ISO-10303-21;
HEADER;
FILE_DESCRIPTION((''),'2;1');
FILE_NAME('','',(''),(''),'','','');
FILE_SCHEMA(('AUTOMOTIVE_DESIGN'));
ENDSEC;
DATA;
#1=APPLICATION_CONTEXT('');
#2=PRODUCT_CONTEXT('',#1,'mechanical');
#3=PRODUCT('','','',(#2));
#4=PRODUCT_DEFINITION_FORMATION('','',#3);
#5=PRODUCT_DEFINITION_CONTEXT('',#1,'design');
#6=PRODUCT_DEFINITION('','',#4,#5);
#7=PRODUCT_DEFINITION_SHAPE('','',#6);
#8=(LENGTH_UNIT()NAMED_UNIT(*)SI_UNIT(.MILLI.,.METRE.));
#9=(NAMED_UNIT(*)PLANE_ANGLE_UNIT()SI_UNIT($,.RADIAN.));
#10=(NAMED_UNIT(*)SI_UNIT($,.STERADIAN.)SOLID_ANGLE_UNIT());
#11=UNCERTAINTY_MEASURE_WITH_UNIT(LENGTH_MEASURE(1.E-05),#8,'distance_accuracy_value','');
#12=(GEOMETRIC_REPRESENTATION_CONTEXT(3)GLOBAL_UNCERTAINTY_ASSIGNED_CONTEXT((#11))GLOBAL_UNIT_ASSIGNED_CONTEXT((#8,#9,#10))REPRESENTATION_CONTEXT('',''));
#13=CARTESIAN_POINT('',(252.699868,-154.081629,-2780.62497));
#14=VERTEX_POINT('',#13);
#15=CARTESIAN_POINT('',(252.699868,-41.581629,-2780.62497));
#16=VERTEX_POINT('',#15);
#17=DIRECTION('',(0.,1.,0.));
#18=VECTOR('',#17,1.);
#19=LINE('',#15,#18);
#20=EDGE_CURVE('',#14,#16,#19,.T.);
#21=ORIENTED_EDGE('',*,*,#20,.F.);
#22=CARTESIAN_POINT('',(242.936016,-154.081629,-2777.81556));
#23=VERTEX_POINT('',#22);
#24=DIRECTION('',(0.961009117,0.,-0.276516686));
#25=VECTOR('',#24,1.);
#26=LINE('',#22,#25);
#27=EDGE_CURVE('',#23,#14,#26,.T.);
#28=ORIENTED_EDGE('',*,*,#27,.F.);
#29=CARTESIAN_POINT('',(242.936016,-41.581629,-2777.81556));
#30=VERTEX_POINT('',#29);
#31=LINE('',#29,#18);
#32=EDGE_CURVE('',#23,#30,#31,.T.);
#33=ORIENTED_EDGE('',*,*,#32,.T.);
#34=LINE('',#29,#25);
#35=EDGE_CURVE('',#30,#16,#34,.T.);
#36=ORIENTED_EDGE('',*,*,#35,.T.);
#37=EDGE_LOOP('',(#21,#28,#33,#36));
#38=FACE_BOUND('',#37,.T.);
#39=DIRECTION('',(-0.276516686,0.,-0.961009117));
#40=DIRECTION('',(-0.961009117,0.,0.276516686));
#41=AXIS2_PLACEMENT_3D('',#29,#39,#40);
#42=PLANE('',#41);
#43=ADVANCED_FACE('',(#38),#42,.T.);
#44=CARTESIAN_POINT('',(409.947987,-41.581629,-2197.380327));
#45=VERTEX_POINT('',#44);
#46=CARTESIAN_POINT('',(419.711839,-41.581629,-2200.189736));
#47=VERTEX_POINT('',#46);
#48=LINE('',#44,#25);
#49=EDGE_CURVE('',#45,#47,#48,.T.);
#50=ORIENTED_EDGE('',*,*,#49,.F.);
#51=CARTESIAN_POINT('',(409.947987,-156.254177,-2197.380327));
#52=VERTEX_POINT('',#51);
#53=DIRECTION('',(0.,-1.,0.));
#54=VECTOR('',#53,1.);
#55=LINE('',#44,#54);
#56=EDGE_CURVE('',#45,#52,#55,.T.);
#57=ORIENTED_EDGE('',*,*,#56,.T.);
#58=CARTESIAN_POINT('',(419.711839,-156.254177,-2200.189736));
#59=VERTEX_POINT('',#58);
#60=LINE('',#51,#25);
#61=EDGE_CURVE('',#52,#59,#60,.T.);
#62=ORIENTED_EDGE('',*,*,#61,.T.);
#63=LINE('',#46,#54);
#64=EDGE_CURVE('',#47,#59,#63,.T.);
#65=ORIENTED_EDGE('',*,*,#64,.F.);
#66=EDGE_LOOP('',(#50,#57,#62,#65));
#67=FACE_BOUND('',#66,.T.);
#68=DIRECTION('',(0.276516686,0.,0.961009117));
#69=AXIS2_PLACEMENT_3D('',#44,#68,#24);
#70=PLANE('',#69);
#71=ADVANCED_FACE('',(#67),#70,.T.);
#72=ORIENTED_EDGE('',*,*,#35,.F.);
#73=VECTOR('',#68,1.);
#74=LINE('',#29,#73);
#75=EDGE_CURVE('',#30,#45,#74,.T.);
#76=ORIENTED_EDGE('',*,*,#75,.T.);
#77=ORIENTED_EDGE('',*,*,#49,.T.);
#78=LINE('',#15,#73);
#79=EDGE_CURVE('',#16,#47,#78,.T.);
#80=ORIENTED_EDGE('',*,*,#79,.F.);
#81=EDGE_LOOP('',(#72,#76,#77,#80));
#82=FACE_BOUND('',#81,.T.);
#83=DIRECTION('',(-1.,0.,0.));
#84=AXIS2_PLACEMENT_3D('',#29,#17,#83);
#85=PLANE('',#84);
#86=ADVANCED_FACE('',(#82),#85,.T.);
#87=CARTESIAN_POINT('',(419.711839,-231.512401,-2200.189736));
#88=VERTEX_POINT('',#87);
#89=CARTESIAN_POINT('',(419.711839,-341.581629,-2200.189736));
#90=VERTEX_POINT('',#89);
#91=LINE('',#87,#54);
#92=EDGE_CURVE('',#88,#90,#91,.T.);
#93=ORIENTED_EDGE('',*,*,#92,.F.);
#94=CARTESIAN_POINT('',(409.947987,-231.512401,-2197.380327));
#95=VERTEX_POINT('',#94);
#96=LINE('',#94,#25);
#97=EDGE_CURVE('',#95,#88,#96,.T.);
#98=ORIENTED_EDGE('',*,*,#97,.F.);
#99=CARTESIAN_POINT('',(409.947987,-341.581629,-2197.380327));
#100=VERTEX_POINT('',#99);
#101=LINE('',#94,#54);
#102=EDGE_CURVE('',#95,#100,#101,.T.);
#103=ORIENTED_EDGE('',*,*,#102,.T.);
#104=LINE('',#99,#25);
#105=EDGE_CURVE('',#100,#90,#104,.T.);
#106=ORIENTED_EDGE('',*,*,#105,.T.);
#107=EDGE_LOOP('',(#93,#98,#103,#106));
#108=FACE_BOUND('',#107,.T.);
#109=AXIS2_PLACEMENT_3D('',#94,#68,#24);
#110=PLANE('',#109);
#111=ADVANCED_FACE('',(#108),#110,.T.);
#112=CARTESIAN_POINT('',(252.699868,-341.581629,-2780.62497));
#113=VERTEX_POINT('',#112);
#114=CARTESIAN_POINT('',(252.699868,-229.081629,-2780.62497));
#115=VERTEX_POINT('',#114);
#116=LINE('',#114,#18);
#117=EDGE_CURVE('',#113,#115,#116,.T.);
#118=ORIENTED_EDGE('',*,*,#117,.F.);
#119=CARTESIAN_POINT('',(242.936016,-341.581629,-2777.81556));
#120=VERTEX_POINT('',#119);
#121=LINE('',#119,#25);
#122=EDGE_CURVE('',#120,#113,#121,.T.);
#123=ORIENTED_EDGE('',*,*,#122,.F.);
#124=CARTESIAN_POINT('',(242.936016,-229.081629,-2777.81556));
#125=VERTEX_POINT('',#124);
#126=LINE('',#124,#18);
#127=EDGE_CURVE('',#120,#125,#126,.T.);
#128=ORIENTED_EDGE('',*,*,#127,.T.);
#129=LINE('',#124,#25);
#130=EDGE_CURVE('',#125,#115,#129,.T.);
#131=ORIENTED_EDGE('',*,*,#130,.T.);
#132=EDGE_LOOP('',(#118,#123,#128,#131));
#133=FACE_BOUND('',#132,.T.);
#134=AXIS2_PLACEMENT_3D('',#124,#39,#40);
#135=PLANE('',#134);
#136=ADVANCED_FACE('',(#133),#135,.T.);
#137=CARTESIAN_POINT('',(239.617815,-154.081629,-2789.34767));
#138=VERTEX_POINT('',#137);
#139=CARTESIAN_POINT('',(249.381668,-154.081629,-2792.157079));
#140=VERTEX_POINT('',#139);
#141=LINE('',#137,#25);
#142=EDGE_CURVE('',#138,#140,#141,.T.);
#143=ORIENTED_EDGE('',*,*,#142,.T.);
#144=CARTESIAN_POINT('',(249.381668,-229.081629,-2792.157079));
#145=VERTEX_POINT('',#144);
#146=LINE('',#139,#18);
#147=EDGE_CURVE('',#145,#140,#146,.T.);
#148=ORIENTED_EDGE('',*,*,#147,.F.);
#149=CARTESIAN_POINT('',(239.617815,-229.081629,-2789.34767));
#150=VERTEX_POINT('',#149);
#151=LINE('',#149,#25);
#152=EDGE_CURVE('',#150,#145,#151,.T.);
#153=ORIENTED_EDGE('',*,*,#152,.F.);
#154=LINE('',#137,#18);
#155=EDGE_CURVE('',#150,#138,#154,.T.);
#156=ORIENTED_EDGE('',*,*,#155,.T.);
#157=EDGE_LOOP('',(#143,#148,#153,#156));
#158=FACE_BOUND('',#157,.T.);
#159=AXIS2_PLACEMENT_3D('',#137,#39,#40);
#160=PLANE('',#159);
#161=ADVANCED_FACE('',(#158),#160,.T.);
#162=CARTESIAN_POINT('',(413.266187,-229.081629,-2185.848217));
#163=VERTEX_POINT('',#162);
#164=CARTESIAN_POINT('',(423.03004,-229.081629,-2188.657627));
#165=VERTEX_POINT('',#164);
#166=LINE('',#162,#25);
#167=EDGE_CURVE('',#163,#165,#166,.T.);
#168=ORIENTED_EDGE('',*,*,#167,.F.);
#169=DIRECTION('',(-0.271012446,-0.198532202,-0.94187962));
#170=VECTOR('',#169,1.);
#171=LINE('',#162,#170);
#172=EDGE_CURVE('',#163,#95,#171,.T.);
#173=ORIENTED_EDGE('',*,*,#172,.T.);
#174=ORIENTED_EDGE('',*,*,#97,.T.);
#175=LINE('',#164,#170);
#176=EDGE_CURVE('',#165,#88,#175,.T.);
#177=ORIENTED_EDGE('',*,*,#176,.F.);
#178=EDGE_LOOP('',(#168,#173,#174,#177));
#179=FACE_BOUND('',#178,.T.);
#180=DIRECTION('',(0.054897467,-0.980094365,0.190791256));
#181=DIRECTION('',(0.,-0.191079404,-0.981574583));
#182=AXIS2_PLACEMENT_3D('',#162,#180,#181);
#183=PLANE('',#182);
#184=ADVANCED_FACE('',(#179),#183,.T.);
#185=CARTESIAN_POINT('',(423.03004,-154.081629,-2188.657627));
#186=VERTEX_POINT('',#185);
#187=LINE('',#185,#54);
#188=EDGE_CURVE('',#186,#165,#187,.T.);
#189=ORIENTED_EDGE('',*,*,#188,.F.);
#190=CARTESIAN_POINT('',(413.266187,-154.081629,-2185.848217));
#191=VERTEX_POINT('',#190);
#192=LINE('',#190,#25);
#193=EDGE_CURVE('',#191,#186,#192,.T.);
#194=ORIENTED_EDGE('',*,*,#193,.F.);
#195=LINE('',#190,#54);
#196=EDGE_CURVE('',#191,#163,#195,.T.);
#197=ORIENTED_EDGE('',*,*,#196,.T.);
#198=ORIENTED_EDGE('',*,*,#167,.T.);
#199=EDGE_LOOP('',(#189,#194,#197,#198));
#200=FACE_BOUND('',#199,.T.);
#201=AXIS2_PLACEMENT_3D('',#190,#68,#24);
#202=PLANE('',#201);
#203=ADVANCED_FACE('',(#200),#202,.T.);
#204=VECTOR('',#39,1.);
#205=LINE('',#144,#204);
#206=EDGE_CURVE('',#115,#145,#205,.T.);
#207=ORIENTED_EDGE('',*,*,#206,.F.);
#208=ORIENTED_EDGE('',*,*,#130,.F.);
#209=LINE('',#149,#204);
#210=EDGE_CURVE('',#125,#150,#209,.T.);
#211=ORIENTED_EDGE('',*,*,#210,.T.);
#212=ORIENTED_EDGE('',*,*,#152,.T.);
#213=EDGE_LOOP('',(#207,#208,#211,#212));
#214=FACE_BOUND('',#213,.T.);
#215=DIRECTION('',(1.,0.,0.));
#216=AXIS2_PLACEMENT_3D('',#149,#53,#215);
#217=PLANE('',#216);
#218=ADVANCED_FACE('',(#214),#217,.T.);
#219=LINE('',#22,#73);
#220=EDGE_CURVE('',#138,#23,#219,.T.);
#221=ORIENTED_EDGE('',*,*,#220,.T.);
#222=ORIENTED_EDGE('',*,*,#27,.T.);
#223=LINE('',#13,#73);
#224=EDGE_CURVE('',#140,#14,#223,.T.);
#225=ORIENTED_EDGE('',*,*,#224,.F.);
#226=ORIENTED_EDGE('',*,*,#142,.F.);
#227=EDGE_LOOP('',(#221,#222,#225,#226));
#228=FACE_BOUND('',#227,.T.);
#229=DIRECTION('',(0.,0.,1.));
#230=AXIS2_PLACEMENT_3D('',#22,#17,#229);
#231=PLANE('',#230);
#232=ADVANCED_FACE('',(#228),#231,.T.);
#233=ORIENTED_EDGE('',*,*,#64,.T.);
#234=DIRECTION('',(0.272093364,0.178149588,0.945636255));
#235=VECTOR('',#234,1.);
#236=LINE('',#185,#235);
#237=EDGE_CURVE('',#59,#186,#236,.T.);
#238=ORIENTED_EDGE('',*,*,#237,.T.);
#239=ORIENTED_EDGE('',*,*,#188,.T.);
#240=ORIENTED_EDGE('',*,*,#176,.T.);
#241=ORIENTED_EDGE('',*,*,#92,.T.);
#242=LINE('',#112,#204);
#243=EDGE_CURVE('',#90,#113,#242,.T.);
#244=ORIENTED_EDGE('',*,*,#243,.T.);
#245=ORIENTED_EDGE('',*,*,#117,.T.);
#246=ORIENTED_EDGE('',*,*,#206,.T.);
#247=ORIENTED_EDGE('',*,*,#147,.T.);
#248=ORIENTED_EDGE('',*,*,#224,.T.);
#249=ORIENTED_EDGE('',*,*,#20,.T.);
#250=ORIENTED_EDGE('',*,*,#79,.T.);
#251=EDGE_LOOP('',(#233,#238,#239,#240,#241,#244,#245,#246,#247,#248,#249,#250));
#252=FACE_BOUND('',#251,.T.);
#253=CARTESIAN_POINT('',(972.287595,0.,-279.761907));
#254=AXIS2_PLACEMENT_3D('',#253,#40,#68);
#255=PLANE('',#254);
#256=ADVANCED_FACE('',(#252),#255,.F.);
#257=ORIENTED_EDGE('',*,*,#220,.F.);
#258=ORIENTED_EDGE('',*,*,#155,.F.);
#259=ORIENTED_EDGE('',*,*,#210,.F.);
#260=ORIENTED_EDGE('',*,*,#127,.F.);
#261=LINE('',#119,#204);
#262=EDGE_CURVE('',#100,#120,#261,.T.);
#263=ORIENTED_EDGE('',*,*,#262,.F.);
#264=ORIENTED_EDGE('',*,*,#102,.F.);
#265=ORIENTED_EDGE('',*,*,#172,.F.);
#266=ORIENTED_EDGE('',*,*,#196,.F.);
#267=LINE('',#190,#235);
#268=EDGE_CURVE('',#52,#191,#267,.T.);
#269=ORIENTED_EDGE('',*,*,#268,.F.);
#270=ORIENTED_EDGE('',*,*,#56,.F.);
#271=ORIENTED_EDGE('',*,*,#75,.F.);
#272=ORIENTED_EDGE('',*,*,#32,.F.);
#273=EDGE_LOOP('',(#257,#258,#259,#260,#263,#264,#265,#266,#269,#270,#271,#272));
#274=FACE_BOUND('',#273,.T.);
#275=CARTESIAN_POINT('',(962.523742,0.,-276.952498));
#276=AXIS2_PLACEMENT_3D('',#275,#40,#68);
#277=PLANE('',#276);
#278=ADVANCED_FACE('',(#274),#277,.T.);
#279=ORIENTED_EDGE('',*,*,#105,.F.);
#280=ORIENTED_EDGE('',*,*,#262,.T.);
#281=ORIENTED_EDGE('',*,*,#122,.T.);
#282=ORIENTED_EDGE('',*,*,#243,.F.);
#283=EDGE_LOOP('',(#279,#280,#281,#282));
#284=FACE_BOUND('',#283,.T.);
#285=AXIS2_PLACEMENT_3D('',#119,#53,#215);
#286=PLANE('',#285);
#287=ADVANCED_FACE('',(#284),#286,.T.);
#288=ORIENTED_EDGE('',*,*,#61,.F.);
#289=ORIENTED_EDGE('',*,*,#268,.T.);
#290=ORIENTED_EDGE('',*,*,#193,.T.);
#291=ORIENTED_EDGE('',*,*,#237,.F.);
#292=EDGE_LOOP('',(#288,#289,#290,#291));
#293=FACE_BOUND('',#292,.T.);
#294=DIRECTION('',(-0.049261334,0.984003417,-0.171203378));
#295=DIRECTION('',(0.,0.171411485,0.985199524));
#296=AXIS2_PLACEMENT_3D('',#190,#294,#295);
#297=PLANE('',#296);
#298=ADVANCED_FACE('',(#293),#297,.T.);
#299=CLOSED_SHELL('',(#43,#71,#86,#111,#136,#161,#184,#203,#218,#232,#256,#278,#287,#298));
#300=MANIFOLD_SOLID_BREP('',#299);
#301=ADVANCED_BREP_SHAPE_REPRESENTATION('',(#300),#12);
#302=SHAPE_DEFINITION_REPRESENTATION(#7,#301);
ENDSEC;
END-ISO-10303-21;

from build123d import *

# Parameters (mm, degrees)
BOSS_EXTRUDE1_DEPTH = 10.16


with BuildPart() as part:
    # Sketch1 → Boss-Extrude1 (new body)
    with BuildSketch(Plane(origin=(972.287594707, 0, -279.761907089), x_dir=(-0.27651668570360943, 0, -0.9610091167764702), z_dir=(0.9610091167764702, 0, -0.27651668570360943))):
        Polygon((2602.330216376, -41.581628832), (1998.345068474, -41.581628832), (1998.345068474, -156.254177234), (1986.345068474, -154.081628832), (1986.345068474, -229.081628832), (1998.345068474, -231.512401326), (1998.345068474, -341.581628832), (2602.330216376, -341.581628832), (2602.330216376, -229.081628832), (2614.330216376, -229.081628832), (2614.330216376, -154.081628832), (2602.330216376, -154.081628832), align=None)
    extrude(amount=-BOSS_EXTRUDE1_DEPTH)


solid = part.part
